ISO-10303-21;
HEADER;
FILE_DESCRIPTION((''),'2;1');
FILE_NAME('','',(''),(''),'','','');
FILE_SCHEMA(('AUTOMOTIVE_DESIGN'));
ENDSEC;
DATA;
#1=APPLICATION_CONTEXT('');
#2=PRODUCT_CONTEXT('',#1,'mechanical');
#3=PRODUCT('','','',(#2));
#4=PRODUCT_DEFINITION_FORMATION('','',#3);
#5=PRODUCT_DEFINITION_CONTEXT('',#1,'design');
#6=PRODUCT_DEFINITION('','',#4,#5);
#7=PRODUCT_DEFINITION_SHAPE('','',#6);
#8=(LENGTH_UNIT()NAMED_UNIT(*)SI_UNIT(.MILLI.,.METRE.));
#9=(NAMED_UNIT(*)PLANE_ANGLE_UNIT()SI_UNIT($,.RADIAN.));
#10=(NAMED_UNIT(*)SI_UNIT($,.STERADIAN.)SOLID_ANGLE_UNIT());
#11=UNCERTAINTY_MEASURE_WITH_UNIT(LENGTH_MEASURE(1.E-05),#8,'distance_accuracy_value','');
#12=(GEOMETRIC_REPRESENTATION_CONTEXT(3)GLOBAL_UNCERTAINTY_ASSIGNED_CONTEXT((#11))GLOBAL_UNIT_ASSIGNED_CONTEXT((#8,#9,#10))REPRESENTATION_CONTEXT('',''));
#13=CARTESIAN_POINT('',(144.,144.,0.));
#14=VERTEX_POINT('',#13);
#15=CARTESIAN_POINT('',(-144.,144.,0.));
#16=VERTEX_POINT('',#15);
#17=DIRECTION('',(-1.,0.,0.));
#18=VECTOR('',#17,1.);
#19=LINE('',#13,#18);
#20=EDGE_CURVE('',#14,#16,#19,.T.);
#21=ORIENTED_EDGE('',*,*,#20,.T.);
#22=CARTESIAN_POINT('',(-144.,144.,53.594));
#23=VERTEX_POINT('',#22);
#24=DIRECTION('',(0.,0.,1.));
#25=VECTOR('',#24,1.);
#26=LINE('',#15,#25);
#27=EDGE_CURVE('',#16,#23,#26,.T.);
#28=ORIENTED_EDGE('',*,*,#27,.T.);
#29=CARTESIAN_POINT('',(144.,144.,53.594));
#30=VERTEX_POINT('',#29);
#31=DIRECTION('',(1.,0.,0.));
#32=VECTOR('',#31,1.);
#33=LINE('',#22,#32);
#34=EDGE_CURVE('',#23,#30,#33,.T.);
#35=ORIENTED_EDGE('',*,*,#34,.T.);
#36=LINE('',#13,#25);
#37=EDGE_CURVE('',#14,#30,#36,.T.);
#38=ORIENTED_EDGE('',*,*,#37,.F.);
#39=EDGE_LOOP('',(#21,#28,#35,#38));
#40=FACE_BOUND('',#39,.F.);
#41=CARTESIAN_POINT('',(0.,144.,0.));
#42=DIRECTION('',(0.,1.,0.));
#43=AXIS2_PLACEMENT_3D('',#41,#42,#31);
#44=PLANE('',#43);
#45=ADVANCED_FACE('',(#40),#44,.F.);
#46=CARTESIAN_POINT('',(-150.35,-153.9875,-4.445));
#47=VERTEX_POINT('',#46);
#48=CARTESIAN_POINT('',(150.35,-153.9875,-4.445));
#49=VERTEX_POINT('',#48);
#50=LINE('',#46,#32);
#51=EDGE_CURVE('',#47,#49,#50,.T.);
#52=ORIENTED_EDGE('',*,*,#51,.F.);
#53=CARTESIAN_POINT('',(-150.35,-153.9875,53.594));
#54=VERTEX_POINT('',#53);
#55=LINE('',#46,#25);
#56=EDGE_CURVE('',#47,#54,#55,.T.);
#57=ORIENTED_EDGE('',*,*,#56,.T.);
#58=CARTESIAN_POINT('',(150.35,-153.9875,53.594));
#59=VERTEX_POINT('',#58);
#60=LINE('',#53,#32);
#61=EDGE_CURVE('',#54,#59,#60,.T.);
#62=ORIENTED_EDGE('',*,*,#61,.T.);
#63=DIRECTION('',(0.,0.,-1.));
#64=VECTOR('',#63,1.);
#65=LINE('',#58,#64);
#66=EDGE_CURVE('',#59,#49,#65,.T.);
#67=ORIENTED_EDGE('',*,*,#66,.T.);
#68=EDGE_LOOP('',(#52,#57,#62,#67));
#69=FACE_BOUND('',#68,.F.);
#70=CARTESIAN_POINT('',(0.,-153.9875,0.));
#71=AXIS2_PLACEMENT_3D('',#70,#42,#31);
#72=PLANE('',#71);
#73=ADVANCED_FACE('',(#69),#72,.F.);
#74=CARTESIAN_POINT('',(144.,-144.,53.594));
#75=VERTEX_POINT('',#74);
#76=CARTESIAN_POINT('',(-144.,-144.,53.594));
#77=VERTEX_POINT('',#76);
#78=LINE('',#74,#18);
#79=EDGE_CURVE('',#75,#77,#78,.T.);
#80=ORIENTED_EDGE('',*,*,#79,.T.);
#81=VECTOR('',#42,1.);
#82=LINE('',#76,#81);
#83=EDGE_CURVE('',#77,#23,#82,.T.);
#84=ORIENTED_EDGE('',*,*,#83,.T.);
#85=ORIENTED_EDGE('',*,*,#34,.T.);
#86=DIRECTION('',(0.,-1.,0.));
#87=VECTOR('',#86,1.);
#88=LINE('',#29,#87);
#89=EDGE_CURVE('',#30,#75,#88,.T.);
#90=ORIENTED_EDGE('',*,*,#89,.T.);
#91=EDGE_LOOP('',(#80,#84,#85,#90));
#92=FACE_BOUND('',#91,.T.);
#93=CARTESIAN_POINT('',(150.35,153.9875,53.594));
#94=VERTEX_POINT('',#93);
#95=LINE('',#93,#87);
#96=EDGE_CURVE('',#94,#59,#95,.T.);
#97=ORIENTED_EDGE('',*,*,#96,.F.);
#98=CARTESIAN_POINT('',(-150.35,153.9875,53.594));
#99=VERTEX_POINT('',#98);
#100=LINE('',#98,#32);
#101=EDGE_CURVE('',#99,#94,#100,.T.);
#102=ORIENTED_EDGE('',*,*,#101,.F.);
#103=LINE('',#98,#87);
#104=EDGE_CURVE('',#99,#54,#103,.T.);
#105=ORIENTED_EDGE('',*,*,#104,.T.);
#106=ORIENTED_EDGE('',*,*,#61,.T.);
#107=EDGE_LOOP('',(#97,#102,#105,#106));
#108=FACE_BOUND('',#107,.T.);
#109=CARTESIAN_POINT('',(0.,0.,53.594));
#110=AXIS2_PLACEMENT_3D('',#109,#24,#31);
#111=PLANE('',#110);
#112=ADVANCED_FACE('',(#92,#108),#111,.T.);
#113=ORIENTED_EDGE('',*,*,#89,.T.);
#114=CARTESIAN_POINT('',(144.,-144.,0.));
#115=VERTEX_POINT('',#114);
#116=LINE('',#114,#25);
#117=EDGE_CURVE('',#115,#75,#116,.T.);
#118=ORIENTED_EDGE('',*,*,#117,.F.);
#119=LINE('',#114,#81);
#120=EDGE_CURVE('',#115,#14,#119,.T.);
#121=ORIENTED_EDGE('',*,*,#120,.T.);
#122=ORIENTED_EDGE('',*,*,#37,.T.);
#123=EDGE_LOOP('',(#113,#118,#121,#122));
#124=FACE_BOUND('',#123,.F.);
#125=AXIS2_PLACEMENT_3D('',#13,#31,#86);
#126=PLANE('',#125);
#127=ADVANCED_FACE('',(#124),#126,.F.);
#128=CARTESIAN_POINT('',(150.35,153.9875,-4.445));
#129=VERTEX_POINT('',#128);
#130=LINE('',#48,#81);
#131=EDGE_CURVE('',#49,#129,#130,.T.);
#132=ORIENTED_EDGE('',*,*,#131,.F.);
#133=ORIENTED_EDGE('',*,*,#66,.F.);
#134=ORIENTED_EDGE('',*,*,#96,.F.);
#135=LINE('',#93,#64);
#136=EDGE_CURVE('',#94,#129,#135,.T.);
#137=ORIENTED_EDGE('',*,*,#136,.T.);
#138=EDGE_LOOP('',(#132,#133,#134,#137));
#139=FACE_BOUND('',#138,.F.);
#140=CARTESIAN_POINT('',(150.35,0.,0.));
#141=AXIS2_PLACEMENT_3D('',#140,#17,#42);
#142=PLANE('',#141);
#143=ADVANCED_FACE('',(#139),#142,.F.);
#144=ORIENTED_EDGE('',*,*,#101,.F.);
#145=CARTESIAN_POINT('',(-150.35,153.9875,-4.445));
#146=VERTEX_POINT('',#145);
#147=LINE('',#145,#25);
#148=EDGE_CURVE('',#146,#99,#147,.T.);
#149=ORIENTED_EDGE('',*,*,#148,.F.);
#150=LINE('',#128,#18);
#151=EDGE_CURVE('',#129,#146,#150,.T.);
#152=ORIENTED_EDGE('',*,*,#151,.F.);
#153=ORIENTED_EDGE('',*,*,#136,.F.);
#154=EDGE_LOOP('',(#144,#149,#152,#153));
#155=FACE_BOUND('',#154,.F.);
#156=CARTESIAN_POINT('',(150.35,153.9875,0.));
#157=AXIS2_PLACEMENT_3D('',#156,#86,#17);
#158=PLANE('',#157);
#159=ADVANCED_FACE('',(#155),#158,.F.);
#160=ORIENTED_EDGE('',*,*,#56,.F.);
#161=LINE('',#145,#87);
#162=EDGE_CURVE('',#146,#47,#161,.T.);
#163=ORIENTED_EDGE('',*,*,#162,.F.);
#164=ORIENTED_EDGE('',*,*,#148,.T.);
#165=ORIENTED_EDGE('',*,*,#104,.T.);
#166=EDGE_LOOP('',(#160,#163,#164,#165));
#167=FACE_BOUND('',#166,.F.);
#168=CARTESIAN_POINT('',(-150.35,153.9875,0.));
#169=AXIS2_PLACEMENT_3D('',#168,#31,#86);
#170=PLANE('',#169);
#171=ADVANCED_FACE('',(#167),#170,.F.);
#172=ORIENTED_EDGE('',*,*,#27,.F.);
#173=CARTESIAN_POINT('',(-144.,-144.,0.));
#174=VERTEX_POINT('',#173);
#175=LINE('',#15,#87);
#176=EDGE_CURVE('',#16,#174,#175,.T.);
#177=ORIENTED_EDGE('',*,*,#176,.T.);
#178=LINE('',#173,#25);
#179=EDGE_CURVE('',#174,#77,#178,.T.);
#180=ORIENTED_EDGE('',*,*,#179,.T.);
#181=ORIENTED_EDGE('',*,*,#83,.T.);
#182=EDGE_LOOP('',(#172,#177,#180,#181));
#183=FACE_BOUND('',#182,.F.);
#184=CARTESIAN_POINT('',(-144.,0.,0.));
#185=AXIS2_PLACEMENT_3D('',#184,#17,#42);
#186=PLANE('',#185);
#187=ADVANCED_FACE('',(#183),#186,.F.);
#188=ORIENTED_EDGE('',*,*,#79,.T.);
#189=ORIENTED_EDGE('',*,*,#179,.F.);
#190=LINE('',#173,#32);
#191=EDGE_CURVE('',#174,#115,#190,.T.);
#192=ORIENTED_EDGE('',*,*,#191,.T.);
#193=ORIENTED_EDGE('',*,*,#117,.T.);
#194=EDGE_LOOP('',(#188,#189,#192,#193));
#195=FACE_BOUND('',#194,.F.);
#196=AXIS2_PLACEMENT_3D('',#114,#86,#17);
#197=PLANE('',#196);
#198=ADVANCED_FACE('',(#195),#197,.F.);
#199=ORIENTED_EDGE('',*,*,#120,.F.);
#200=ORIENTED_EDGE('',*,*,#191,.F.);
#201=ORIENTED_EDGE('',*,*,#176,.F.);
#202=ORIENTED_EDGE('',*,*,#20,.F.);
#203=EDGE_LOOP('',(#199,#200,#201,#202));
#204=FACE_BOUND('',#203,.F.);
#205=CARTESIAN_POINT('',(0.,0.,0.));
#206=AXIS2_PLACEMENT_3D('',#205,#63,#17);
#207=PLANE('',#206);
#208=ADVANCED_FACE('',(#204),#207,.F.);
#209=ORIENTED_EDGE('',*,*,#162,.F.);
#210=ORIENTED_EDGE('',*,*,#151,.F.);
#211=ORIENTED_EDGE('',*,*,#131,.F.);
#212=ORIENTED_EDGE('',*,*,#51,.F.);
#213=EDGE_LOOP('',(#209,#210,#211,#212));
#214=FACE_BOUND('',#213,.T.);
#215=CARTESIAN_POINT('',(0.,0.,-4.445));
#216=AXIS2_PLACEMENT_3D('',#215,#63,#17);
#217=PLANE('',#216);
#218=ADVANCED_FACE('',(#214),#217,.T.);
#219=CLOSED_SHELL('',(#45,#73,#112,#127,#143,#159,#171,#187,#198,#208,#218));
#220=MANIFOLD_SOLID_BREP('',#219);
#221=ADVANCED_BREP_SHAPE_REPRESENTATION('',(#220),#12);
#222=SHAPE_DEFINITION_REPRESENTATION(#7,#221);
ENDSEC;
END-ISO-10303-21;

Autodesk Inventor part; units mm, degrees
ref_plane "YZ Plane" through (0, 0, 0) normal (1, 0, 0) x (0, 1, 0)
ref_plane "XZ Plane" through (0, 0, 0) normal (0, 1, 0) x (-1, 0, 0)
ref_plane "XY Plane" through (0, 0, 0) normal (0, 0, 1) x (1, 0, 0)
sketch "Sketch1" plane through (0, 0, 0) normal (0, 0, 1) x (1, 0, 0)
  line L0 (0, 215.5825) -> (0, -215.5825) projected
  line L1 (-210.49, 0) -> (210.49, 0) projected
  line L2 (144, -144) -> (-144, -144)
  line L3 (-144, -144) -> (-144, 144)
  line L4 (-144, 144) -> (144, 144)
  line L5 (144, 144) -> (144, -144)
  line L6 (144, -144) -> (-144, 144) construction
  line L7 (-144, -144) -> (144, 144) construction
  line L8 (150.35, 153.9875) -> (-150.35, 153.9875)
  line L9 (-150.35, 153.9875) -> (-150.35, -153.9875)
  line L10 (-150.35, -153.9875) -> (150.35, -153.9875)
  line L11 (150.35, -153.9875) -> (150.35, 153.9875)
  point P0 (0, 0)
  dimension "d0" = 288
  dimension "d6" = 6.35
  dimension "d7" = 6.35
  dimension "d8" = 9.9875
  dimension "d9" = 307.975
  dimension "d10" = 9.9875
extrude "Extrusion1" add sketch "Sketch1" along normal blind 53.594 contours L8 L11 L1 L5 L4 L0 | L0 L4 L3 L1 L9 L8 | L11 L10 L0 L2 L5 L1 | L1 L3 L2 L0 L10 L9
sketch "Sketch2" plane through (0, 0, 0) normal (0, 0, -1) x (-1, 0, 0)
  line L0 (144, 144) -> (144, -144) projected
  line L1 (144, -144) -> (-144, -144) projected
  line L2 (-144, -144) -> (-144, 144) projected
  line L3 (-144, 144) -> (144, 144) projected
  line L4 (-150.35, 153.9875) -> (150.35, 153.9875) projected
  line L5 (-150.35, -153.9875) -> (-150.35, 153.9875) projected
  line L6 (150.35, -153.9875) -> (-150.35, -153.9875) projected
  line L7 (150.35, 153.9875) -> (150.35, -153.9875) projected
  point P0 (0, 0)
extrude "Extrusion2" add sketch "Sketch2" along normal blind 4.445 contours L0 L1 L2 L3 | L4 L7 L6 L5
equation "\"d8\" = d10"
